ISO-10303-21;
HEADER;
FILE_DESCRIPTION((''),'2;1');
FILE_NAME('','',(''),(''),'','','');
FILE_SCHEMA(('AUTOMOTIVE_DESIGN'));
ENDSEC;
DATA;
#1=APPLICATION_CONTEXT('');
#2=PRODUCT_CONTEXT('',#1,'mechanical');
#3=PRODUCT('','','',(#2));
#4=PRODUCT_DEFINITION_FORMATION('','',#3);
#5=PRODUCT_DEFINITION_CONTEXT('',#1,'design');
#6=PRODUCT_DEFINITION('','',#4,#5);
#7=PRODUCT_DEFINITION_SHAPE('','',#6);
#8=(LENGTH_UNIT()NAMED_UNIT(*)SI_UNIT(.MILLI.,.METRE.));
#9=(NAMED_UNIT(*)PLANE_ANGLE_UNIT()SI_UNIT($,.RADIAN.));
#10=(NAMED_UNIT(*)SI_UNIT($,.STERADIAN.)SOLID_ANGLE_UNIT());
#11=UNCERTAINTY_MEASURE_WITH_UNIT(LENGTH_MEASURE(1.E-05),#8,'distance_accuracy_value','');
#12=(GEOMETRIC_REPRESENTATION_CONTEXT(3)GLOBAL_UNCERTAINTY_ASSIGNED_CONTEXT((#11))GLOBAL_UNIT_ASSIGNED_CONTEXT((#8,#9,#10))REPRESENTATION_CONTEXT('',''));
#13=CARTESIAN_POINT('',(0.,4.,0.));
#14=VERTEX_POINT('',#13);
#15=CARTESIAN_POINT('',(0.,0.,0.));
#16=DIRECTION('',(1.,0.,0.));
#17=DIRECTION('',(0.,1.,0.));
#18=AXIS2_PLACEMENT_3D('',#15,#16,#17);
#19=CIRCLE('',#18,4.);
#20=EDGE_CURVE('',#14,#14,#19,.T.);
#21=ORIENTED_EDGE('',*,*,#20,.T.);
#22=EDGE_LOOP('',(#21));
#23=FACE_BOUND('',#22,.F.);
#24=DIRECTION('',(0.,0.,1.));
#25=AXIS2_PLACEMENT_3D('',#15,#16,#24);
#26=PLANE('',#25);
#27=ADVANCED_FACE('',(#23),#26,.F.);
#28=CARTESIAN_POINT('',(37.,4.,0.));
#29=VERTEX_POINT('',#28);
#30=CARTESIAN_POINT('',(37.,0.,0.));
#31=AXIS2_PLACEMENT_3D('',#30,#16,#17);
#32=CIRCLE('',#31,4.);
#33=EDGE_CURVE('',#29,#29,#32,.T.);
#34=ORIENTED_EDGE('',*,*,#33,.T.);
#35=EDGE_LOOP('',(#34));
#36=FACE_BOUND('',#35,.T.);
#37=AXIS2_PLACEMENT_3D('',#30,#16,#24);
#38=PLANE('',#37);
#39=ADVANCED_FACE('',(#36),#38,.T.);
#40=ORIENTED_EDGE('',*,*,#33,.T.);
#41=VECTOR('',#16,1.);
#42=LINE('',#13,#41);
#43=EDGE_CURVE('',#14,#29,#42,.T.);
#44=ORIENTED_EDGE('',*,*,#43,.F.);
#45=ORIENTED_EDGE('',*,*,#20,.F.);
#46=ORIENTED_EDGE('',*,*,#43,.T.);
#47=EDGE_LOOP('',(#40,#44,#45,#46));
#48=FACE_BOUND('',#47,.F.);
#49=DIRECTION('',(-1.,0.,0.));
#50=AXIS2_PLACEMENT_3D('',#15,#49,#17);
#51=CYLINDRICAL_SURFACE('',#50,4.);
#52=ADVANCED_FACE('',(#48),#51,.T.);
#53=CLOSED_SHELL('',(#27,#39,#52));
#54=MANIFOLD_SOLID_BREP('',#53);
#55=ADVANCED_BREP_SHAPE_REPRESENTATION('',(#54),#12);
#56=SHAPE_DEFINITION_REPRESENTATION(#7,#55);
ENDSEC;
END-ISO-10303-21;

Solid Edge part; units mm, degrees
sketch "Sketch1" plane through (0, 0, 0) normal (1, 0, 0) x (0, 1, 0)
  circle A0 centre (0, 0) radius 4
  dimension "D1" = 8
extrude "Protrusion1" add sketch "Sketch1" along normal blind 37
cosmetic_thread "Thread1" size "M8"
cosmetic_thread "Thread2" size "M8"
properties material "Steel"
